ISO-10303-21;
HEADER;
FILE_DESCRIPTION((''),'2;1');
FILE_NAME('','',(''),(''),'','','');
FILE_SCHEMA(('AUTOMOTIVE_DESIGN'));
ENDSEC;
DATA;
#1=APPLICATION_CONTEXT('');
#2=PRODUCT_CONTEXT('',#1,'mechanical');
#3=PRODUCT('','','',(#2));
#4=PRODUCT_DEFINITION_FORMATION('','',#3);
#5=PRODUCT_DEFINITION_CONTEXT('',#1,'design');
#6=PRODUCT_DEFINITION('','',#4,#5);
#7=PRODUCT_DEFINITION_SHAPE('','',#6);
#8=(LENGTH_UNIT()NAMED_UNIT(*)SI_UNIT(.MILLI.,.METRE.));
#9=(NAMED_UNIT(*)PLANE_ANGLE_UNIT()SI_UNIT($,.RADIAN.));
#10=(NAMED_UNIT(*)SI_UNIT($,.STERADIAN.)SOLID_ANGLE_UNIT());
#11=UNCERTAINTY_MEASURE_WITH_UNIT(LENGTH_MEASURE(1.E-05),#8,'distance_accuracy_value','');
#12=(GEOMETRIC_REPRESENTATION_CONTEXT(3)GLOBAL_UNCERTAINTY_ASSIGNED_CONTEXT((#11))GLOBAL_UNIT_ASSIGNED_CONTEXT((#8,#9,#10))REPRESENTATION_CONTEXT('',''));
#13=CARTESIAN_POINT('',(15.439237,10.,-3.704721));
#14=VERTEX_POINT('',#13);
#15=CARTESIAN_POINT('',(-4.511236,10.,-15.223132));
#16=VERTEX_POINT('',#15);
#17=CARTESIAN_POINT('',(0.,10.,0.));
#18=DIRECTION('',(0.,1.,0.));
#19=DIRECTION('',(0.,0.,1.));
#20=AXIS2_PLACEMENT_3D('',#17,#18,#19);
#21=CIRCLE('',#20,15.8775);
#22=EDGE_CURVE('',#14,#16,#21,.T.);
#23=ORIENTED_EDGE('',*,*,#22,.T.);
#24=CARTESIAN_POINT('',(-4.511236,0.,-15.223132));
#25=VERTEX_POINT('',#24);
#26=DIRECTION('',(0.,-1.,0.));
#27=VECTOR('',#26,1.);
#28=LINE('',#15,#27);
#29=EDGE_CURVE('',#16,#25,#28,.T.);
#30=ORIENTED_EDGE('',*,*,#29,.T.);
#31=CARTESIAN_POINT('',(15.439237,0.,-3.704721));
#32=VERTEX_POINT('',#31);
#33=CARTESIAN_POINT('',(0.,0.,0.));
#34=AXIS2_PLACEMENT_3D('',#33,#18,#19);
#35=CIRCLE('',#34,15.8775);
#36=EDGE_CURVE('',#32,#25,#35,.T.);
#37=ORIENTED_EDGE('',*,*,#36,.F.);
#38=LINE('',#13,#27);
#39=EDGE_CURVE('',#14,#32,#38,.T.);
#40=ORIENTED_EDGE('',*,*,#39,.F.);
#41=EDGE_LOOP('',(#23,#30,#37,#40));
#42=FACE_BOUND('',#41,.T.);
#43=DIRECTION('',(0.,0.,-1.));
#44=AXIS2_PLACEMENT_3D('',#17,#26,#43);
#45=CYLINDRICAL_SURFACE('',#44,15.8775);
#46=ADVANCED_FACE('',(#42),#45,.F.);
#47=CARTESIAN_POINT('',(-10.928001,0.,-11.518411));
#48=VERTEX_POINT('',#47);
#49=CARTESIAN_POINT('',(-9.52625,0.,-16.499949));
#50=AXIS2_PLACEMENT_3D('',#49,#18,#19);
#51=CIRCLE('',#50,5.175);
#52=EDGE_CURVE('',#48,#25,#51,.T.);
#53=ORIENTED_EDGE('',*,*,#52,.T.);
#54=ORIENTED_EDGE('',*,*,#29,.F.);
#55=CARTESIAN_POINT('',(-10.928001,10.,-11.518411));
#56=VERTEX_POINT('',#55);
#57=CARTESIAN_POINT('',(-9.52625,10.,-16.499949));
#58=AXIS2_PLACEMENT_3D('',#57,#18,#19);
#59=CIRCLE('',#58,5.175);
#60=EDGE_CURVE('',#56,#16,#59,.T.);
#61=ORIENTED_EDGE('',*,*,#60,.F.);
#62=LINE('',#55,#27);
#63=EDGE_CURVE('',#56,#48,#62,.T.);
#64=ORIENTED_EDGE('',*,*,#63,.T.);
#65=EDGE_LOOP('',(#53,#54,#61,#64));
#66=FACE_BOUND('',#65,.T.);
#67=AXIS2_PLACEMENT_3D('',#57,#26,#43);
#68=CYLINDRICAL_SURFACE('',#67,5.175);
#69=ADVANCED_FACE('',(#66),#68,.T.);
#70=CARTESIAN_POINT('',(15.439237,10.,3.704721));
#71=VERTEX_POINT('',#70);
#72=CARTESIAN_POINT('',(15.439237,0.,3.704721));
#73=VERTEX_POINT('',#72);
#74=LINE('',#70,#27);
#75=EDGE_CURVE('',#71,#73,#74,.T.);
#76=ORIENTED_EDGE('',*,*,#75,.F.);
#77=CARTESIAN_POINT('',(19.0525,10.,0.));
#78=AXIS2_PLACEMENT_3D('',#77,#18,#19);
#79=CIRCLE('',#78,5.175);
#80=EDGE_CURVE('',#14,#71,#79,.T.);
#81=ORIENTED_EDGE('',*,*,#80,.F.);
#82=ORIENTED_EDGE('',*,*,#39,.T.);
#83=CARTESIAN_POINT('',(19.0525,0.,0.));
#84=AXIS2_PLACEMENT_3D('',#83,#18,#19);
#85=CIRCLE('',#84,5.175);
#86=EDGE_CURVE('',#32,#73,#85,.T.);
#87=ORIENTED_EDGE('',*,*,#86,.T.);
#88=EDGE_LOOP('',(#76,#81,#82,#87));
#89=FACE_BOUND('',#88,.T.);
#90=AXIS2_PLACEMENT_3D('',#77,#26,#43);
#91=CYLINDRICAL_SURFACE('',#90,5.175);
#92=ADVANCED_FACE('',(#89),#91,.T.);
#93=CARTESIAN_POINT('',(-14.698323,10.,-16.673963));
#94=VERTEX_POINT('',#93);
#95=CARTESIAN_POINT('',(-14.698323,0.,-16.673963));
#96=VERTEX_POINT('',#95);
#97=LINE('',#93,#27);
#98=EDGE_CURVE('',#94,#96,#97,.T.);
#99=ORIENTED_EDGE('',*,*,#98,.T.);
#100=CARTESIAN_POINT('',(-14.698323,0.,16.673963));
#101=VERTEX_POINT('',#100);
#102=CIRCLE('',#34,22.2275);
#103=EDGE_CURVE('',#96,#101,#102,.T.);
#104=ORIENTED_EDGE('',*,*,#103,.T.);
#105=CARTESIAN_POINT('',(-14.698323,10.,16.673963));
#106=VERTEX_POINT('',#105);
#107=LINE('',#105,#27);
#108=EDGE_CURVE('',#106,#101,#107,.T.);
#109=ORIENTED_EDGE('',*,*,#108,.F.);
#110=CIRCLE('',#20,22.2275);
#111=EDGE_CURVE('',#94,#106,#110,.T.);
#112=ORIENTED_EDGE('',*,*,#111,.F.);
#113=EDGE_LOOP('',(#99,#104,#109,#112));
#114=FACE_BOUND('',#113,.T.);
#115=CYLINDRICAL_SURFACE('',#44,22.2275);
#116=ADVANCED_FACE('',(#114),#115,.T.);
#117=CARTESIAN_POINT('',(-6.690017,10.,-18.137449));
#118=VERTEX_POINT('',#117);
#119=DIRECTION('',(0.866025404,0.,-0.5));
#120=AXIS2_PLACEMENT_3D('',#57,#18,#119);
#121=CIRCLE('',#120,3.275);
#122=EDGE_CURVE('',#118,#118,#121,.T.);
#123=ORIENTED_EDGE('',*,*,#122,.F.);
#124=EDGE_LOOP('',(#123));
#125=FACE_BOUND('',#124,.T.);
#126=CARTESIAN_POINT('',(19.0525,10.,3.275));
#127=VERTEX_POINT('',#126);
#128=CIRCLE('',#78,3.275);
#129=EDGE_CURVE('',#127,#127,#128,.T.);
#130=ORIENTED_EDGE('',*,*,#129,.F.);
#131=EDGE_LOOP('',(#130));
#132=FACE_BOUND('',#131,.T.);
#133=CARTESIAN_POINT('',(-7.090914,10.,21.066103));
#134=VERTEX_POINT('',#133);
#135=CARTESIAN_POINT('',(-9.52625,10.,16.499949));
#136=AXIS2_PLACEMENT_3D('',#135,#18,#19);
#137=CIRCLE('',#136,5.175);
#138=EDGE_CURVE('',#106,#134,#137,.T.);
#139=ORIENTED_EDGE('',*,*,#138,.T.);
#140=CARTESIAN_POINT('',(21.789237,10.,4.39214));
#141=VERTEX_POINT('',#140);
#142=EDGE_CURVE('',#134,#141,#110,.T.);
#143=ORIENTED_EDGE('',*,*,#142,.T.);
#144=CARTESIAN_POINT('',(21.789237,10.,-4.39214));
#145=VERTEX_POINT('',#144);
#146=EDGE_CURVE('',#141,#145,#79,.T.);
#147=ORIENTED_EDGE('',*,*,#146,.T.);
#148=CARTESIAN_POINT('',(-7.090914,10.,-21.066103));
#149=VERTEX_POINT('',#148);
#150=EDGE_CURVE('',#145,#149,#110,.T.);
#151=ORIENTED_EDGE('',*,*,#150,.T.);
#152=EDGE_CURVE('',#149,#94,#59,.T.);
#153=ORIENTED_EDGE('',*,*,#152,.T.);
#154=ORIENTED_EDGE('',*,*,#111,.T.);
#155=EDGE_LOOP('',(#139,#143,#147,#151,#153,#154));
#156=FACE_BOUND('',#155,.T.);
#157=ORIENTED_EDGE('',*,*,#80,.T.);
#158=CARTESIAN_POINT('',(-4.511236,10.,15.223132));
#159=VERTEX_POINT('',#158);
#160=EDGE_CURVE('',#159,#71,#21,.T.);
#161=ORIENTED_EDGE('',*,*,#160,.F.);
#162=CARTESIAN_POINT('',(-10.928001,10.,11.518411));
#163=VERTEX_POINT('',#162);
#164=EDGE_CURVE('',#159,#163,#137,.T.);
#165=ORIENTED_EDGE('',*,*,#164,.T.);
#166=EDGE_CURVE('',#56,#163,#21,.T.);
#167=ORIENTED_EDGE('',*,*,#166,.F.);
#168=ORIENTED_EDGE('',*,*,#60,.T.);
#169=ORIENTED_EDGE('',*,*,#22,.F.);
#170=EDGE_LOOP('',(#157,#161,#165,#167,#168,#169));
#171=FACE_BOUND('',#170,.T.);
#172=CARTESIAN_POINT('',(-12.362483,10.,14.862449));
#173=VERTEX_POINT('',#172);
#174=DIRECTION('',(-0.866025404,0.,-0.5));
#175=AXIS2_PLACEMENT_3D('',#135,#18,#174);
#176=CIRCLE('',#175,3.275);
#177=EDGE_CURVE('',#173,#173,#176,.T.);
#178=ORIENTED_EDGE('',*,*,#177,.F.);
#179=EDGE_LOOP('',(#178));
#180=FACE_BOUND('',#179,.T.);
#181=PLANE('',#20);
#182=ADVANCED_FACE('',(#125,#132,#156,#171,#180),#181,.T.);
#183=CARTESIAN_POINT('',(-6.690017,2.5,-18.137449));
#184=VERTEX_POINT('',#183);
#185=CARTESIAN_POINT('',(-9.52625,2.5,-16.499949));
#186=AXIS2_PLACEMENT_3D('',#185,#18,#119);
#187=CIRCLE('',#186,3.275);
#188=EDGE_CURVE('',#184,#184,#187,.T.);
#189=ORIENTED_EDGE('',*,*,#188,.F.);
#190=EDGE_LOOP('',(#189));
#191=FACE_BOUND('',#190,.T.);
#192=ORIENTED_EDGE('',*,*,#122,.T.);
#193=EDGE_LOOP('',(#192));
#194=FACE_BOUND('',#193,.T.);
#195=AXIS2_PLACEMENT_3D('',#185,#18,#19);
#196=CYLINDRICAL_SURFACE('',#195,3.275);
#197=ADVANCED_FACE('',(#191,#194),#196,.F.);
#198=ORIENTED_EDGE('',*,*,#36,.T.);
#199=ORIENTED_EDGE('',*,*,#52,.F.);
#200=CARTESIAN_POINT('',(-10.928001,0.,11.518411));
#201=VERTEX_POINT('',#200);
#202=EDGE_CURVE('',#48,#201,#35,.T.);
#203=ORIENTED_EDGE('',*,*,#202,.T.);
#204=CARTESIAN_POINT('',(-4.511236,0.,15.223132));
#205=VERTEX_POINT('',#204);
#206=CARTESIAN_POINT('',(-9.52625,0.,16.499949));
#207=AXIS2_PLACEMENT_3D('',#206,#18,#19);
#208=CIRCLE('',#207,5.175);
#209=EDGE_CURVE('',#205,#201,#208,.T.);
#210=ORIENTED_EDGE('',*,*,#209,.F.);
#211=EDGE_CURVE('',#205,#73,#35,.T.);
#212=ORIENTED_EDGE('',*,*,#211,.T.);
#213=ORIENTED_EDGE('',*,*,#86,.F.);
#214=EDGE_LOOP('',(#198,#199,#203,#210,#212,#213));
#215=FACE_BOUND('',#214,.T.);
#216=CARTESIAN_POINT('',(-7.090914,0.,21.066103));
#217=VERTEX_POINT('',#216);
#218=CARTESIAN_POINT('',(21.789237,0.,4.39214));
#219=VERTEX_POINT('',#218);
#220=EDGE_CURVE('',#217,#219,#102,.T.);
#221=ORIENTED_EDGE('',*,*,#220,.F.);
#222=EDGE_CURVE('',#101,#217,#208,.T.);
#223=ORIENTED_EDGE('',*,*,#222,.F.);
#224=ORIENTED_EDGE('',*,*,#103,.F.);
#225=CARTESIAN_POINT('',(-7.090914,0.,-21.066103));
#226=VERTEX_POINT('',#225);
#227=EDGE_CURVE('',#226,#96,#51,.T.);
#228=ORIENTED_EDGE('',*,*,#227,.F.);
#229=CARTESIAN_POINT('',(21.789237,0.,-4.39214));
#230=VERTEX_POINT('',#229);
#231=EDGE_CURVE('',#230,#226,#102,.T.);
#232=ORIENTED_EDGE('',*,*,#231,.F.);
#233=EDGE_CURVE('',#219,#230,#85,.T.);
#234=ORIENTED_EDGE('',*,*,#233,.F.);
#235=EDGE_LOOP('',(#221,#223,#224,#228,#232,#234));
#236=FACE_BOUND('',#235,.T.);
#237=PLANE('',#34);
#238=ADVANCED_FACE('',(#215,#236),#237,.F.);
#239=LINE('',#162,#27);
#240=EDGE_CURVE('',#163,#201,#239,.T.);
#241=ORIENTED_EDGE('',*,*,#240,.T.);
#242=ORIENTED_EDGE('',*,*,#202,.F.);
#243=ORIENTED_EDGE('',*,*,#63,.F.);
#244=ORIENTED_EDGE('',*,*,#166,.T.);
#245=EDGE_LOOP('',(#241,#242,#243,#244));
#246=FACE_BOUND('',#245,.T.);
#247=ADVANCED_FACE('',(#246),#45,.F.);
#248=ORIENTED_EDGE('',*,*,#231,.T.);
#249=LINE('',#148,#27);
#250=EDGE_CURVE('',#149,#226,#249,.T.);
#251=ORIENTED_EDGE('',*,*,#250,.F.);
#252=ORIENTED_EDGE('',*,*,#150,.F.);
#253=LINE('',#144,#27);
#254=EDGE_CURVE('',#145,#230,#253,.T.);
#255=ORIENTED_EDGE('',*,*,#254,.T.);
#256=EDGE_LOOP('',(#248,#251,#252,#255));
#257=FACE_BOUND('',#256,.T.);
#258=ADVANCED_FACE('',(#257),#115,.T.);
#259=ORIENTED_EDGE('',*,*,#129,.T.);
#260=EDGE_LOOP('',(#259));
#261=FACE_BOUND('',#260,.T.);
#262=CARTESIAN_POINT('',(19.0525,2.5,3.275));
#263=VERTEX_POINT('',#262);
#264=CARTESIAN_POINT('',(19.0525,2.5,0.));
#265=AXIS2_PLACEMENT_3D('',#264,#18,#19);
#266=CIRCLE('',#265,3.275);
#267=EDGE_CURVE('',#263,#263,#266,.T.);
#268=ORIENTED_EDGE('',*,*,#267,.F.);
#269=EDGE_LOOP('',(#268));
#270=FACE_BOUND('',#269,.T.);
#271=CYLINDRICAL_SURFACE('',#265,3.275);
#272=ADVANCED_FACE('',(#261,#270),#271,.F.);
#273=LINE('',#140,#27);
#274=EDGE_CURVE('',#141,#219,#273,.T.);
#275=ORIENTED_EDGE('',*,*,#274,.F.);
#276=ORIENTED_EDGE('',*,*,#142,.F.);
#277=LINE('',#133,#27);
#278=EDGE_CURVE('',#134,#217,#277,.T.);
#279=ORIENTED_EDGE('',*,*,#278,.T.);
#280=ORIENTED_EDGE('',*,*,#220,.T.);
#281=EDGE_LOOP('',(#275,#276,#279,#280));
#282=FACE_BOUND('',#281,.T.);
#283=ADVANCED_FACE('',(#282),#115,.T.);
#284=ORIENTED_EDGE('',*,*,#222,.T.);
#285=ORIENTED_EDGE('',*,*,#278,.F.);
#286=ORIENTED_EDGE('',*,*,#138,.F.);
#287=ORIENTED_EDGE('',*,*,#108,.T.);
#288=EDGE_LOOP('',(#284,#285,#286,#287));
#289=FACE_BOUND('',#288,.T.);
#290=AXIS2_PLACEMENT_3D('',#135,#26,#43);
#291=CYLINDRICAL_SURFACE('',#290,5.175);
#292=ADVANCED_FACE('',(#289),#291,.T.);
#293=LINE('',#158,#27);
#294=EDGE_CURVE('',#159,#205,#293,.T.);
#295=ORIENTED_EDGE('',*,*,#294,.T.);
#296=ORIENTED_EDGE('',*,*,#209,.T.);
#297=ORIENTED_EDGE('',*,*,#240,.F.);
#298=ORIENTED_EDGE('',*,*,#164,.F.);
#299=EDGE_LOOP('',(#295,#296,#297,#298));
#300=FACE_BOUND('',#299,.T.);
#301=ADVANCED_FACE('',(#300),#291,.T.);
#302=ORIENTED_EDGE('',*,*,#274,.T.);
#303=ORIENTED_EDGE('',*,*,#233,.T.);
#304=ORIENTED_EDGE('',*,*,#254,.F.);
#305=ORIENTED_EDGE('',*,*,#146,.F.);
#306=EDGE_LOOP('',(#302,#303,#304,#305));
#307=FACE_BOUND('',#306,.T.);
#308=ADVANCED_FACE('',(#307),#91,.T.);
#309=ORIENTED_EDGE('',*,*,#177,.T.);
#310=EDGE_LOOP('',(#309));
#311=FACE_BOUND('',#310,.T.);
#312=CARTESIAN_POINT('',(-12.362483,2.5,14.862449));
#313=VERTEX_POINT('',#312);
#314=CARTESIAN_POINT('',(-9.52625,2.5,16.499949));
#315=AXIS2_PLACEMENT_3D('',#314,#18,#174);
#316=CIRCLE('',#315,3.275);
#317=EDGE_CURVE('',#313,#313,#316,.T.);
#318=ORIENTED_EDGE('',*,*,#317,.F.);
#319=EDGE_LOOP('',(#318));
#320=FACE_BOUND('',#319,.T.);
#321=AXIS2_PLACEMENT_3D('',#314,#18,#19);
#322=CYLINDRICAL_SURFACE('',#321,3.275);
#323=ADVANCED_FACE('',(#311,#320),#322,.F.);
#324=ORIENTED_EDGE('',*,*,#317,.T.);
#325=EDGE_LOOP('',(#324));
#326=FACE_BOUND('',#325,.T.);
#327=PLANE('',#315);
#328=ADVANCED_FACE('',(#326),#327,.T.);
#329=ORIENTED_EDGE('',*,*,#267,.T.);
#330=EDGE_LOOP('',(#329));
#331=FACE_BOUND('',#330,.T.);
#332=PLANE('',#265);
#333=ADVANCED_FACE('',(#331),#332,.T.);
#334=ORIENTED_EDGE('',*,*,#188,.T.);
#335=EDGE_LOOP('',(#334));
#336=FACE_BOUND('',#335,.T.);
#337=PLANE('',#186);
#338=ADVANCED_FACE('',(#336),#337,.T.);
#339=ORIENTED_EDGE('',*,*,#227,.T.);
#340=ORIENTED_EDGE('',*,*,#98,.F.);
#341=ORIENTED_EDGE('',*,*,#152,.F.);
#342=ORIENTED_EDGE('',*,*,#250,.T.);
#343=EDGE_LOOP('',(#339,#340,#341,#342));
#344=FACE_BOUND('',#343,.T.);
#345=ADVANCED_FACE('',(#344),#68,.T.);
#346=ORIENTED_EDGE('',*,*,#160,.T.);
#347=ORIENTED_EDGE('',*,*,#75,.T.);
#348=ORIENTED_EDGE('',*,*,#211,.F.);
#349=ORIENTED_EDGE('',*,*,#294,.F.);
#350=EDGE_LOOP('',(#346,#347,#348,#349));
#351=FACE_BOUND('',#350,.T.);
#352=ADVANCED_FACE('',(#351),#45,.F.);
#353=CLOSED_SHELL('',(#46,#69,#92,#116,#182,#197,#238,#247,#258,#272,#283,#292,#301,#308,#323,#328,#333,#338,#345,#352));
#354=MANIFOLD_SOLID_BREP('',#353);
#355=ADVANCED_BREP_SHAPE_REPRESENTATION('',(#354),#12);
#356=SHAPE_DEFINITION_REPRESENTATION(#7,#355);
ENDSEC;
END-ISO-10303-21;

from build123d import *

# Parameters (mm, degrees)
SKETCH1_R           = 3.175
BOSS_EXTRUDE1_DEPTH = 10
SKETCH3_R           = 3.275
CUT_EXTRUDE1_DEPTH  = 7.5
CIRPATTERN1_COUNT   = 3


with BuildPart() as part:
    # Sketch1 → Boss-Extrude1 (new body)
    # profile 1 of 4: a face of its own
    with BuildSketch(Plane(origin=(0, 0, 0), x_dir=(1, 0, 0), z_dir=(0, 1, 0))):
        with BuildLine():
            ThreePointArc((-14.698323484, 16.673963027), (-22.2275, 0), (-14.698323484, -16.673963027))
            ThreePointArc((-14.698323484, -16.673963027), (-12.11375, -20.98163047), (-7.090913821, -21.066103043))
            ThreePointArc((-7.090913821, -21.066103043), (11.11375, -19.249579663), (21.789237305, -4.392140016))
            ThreePointArc((21.789237305, -4.392140016), (24.2275, 0), (21.789237305, 4.392140016))
            ThreePointArc((21.789237305, 4.392140016), (11.11375, 19.249579663), (-7.090913821, 21.066103043))
            ThreePointArc((-7.090913821, 21.066103043), (-12.11375, 20.98163047), (-14.698323484, 16.673963027))
        make_face()
        with Locations((-9.52625, 16.499949006)):
            Circle(SKETCH1_R, mode=Mode.SUBTRACT)
        with Locations((19.0525, 0)):
            Circle(SKETCH1_R, mode=Mode.SUBTRACT)
        with Locations((-9.52625, -16.499949006)):
            Circle(SKETCH1_R, mode=Mode.SUBTRACT)
        with BuildLine():
            ThreePointArc((-4.511236152, -15.223132222), (7.93875, -13.750318349), (15.439237305, -3.704721001))
            ThreePointArc((15.439237305, -3.704721001), (13.8775, 0), (15.439237305, 3.704721001))
            ThreePointArc((15.439237305, 3.704721001), (7.93875, 13.750318349), (-4.511236152, 15.223132222))
            ThreePointArc((-4.511236152, 15.223132222), (-6.93875, 12.018267541), (-10.928001153, 11.518411221))
            ThreePointArc((-10.928001153, 11.518411221), (-15.8775, 0), (-10.928001153, -11.518411221))
            ThreePointArc((-10.928001153, -11.518411221), (-6.93875, -12.018267541), (-4.511236152, -15.223132222))
        make_face(mode=Mode.SUBTRACT)
    # profile 2 of 4: a face of its own
    with BuildSketch(Plane(origin=(0, 0, 0), x_dir=(1, 0, 0), z_dir=(0, 1, 0))):
        with Locations((19.0525, 0)):
            Circle(SKETCH1_R)
    # profile 3 of 4: a face of its own
    with BuildSketch(Plane(origin=(0, 0, 0), x_dir=(1, 0, 0), z_dir=(0, 1, 0))):
        with Locations((-9.52625, 16.499949006)):
            Circle(SKETCH1_R)
    # profile 4 of 4: a face of its own
    with BuildSketch(Plane(origin=(0, 0, 0), x_dir=(1, 0, 0), z_dir=(0, 1, 0))):
        with Locations((-9.52625, -16.499949006)):
            Circle(SKETCH1_R)
    extrude(amount=BOSS_EXTRUDE1_DEPTH)

    # Sketch3 → Cut-Extrude1 (cut)
    with BuildSketch(Plane(origin=(0, 10, 0), x_dir=(1, 0, 0), z_dir=(0, 1, 0))):
        with Locations(Location((19.0525, 0, 0), (0, 0, 270))):
            Circle(SKETCH3_R)
    cut_extrude1 = extrude(amount=-CUT_EXTRUDE1_DEPTH, mode=Mode.SUBTRACT)

    # CirPattern1: Cut-Extrude1 ×3 about axis
    cirpattern1_axis = Axis((0, 0, 0), (0, 1, 0))
    for i in range(1, CIRPATTERN1_COUNT):
        add(cut_extrude1.rotate(cirpattern1_axis, i * 360 / CIRPATTERN1_COUNT), mode=Mode.SUBTRACT)


solid = part.part
